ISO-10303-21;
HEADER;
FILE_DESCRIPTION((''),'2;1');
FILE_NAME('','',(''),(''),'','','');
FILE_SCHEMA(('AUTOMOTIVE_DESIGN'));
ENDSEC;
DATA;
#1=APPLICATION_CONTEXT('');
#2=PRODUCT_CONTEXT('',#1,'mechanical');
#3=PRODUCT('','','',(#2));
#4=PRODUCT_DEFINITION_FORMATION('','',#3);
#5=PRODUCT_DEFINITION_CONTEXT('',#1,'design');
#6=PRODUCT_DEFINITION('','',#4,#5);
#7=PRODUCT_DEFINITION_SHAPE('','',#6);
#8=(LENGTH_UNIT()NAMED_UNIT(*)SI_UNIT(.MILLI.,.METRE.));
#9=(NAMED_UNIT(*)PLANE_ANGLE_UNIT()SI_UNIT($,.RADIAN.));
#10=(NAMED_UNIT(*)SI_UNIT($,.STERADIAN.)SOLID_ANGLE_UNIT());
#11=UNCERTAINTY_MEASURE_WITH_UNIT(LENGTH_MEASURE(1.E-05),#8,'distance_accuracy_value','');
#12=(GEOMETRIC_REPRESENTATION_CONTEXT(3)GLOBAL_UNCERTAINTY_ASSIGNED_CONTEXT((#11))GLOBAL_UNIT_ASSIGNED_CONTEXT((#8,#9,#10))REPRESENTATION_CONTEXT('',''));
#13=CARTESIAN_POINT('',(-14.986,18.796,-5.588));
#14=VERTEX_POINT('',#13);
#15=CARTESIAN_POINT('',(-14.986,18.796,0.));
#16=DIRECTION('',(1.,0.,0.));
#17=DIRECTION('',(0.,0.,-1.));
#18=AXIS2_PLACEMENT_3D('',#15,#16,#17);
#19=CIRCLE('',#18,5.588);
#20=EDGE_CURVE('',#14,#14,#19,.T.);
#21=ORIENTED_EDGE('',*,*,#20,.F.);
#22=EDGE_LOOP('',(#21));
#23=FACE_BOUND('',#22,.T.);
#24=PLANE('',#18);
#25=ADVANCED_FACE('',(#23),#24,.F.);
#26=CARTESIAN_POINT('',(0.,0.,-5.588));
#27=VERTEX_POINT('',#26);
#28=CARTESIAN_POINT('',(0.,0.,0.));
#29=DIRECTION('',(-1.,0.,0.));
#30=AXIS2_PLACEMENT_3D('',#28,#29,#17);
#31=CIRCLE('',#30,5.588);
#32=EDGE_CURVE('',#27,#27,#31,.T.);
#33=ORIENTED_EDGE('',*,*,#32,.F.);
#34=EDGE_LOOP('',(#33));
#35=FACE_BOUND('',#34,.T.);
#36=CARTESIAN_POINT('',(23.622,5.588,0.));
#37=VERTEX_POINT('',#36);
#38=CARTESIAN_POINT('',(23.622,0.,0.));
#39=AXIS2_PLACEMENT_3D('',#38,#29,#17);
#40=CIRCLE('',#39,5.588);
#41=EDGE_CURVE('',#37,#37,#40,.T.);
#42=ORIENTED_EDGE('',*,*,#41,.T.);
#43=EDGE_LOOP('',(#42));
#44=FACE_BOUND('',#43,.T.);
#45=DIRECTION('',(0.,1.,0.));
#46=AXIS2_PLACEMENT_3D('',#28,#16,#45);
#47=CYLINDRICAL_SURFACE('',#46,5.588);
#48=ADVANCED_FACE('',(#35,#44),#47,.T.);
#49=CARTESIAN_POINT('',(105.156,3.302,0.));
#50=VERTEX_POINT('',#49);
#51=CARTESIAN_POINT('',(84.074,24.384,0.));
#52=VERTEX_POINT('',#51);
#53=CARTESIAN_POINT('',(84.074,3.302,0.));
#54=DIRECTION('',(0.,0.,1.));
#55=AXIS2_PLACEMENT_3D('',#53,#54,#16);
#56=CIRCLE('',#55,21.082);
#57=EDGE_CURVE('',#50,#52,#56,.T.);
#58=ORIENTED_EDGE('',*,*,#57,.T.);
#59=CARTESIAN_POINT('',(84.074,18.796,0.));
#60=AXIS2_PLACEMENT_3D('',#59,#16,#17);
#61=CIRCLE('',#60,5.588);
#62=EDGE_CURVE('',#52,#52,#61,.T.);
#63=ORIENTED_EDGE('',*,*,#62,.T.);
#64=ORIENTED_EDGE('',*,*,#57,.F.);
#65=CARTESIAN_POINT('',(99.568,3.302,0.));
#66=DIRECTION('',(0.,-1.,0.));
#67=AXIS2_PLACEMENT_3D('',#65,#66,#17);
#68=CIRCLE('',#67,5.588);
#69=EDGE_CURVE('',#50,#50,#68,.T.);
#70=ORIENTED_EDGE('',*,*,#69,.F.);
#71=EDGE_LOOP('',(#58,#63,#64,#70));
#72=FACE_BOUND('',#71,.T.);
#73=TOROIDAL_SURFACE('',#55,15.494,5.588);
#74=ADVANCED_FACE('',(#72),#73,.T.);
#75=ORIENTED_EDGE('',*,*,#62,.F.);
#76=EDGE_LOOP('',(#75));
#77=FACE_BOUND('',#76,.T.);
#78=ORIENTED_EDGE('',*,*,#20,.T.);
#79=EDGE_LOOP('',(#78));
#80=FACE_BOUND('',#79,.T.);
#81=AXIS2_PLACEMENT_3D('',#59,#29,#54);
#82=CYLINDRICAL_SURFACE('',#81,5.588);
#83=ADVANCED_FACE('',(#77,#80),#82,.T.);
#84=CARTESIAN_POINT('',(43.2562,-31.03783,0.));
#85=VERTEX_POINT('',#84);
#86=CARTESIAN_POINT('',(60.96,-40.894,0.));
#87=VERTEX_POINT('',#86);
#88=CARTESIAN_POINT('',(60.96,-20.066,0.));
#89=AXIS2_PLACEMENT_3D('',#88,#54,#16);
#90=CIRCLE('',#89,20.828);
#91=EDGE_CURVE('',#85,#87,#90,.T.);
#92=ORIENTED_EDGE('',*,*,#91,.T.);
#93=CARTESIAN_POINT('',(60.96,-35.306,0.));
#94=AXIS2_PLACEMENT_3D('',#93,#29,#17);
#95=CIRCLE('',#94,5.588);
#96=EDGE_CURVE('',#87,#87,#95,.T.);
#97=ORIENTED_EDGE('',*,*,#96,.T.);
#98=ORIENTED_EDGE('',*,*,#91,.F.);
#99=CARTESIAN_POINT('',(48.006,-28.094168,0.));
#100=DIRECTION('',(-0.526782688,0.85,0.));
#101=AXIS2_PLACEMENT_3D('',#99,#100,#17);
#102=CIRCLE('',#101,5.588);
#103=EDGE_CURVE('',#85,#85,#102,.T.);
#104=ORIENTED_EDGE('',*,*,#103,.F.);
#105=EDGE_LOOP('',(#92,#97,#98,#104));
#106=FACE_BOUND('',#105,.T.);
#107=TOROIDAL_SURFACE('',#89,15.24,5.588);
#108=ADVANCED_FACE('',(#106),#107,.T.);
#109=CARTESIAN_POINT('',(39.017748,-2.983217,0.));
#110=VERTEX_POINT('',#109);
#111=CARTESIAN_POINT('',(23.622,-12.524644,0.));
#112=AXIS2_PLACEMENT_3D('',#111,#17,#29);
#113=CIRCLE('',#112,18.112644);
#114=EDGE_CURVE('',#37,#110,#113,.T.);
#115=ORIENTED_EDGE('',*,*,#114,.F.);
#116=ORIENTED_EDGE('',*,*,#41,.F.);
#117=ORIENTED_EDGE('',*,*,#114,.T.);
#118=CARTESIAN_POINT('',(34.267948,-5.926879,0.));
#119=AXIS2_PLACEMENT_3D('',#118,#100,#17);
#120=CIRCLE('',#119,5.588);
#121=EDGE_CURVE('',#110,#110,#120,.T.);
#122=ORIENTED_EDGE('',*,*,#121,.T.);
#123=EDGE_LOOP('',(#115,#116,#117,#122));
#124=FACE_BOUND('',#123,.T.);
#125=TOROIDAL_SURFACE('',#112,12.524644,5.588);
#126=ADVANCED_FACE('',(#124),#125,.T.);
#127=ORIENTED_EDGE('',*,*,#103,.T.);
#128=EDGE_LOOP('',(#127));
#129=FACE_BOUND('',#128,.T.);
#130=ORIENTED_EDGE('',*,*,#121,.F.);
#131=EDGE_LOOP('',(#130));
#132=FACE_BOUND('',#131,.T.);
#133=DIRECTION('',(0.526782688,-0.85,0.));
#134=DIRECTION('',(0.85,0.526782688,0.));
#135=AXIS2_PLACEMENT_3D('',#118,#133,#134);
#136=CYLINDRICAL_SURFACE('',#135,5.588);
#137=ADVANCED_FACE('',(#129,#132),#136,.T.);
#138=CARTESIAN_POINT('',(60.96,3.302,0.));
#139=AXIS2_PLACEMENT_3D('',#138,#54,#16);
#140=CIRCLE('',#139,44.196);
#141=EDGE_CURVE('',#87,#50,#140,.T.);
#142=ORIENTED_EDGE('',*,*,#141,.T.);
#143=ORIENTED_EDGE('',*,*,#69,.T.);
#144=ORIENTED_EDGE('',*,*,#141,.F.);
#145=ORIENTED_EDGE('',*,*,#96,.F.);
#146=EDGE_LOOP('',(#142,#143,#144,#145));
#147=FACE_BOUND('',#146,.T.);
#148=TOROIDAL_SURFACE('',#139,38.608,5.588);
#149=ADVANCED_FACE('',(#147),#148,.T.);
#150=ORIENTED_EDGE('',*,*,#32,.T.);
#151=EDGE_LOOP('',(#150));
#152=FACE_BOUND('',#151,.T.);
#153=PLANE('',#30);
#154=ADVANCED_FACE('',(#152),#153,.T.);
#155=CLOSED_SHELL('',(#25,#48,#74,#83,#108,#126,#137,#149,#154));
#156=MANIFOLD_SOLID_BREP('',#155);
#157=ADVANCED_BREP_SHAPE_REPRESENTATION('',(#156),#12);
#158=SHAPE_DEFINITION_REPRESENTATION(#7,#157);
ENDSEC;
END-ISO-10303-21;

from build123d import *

# Parameters (mm, degrees)
SWEEP1_PROFILE_R = 5.588


with BuildPart() as part:
    # Sweep1: sweep along a path in Sketch1
    with BuildLine(Plane.XY) as sweep1_path:
        Line((0, 0), (23.622, 0))
        ThreePointArc((23.622, 0), (29.714292142, -1.581578377), (34.267947791, -5.92687859))
        Line((34.267947791, -5.92687859), (48.006, -28.09416816))
        ThreePointArc((48.006, -28.09416816), (53.546892782, -33.381533837), (60.96, -35.306))
        ThreePointArc((60.96, -35.306), (88.259978608, -23.997978608), (99.568, 3.302))
        ThreePointArc((99.568, 3.302), (95.029912468, 14.257912468), (84.074, 18.796))
        Line((84.074, 18.796), (-14.986, 18.796))
    # Sweep1 profile (on start of the path) → Sweep1 (sweep)
    with BuildSketch(Plane.YZ):
        Circle(SWEEP1_PROFILE_R)
    sweep(path=sweep1_path.line)


solid = part.part
